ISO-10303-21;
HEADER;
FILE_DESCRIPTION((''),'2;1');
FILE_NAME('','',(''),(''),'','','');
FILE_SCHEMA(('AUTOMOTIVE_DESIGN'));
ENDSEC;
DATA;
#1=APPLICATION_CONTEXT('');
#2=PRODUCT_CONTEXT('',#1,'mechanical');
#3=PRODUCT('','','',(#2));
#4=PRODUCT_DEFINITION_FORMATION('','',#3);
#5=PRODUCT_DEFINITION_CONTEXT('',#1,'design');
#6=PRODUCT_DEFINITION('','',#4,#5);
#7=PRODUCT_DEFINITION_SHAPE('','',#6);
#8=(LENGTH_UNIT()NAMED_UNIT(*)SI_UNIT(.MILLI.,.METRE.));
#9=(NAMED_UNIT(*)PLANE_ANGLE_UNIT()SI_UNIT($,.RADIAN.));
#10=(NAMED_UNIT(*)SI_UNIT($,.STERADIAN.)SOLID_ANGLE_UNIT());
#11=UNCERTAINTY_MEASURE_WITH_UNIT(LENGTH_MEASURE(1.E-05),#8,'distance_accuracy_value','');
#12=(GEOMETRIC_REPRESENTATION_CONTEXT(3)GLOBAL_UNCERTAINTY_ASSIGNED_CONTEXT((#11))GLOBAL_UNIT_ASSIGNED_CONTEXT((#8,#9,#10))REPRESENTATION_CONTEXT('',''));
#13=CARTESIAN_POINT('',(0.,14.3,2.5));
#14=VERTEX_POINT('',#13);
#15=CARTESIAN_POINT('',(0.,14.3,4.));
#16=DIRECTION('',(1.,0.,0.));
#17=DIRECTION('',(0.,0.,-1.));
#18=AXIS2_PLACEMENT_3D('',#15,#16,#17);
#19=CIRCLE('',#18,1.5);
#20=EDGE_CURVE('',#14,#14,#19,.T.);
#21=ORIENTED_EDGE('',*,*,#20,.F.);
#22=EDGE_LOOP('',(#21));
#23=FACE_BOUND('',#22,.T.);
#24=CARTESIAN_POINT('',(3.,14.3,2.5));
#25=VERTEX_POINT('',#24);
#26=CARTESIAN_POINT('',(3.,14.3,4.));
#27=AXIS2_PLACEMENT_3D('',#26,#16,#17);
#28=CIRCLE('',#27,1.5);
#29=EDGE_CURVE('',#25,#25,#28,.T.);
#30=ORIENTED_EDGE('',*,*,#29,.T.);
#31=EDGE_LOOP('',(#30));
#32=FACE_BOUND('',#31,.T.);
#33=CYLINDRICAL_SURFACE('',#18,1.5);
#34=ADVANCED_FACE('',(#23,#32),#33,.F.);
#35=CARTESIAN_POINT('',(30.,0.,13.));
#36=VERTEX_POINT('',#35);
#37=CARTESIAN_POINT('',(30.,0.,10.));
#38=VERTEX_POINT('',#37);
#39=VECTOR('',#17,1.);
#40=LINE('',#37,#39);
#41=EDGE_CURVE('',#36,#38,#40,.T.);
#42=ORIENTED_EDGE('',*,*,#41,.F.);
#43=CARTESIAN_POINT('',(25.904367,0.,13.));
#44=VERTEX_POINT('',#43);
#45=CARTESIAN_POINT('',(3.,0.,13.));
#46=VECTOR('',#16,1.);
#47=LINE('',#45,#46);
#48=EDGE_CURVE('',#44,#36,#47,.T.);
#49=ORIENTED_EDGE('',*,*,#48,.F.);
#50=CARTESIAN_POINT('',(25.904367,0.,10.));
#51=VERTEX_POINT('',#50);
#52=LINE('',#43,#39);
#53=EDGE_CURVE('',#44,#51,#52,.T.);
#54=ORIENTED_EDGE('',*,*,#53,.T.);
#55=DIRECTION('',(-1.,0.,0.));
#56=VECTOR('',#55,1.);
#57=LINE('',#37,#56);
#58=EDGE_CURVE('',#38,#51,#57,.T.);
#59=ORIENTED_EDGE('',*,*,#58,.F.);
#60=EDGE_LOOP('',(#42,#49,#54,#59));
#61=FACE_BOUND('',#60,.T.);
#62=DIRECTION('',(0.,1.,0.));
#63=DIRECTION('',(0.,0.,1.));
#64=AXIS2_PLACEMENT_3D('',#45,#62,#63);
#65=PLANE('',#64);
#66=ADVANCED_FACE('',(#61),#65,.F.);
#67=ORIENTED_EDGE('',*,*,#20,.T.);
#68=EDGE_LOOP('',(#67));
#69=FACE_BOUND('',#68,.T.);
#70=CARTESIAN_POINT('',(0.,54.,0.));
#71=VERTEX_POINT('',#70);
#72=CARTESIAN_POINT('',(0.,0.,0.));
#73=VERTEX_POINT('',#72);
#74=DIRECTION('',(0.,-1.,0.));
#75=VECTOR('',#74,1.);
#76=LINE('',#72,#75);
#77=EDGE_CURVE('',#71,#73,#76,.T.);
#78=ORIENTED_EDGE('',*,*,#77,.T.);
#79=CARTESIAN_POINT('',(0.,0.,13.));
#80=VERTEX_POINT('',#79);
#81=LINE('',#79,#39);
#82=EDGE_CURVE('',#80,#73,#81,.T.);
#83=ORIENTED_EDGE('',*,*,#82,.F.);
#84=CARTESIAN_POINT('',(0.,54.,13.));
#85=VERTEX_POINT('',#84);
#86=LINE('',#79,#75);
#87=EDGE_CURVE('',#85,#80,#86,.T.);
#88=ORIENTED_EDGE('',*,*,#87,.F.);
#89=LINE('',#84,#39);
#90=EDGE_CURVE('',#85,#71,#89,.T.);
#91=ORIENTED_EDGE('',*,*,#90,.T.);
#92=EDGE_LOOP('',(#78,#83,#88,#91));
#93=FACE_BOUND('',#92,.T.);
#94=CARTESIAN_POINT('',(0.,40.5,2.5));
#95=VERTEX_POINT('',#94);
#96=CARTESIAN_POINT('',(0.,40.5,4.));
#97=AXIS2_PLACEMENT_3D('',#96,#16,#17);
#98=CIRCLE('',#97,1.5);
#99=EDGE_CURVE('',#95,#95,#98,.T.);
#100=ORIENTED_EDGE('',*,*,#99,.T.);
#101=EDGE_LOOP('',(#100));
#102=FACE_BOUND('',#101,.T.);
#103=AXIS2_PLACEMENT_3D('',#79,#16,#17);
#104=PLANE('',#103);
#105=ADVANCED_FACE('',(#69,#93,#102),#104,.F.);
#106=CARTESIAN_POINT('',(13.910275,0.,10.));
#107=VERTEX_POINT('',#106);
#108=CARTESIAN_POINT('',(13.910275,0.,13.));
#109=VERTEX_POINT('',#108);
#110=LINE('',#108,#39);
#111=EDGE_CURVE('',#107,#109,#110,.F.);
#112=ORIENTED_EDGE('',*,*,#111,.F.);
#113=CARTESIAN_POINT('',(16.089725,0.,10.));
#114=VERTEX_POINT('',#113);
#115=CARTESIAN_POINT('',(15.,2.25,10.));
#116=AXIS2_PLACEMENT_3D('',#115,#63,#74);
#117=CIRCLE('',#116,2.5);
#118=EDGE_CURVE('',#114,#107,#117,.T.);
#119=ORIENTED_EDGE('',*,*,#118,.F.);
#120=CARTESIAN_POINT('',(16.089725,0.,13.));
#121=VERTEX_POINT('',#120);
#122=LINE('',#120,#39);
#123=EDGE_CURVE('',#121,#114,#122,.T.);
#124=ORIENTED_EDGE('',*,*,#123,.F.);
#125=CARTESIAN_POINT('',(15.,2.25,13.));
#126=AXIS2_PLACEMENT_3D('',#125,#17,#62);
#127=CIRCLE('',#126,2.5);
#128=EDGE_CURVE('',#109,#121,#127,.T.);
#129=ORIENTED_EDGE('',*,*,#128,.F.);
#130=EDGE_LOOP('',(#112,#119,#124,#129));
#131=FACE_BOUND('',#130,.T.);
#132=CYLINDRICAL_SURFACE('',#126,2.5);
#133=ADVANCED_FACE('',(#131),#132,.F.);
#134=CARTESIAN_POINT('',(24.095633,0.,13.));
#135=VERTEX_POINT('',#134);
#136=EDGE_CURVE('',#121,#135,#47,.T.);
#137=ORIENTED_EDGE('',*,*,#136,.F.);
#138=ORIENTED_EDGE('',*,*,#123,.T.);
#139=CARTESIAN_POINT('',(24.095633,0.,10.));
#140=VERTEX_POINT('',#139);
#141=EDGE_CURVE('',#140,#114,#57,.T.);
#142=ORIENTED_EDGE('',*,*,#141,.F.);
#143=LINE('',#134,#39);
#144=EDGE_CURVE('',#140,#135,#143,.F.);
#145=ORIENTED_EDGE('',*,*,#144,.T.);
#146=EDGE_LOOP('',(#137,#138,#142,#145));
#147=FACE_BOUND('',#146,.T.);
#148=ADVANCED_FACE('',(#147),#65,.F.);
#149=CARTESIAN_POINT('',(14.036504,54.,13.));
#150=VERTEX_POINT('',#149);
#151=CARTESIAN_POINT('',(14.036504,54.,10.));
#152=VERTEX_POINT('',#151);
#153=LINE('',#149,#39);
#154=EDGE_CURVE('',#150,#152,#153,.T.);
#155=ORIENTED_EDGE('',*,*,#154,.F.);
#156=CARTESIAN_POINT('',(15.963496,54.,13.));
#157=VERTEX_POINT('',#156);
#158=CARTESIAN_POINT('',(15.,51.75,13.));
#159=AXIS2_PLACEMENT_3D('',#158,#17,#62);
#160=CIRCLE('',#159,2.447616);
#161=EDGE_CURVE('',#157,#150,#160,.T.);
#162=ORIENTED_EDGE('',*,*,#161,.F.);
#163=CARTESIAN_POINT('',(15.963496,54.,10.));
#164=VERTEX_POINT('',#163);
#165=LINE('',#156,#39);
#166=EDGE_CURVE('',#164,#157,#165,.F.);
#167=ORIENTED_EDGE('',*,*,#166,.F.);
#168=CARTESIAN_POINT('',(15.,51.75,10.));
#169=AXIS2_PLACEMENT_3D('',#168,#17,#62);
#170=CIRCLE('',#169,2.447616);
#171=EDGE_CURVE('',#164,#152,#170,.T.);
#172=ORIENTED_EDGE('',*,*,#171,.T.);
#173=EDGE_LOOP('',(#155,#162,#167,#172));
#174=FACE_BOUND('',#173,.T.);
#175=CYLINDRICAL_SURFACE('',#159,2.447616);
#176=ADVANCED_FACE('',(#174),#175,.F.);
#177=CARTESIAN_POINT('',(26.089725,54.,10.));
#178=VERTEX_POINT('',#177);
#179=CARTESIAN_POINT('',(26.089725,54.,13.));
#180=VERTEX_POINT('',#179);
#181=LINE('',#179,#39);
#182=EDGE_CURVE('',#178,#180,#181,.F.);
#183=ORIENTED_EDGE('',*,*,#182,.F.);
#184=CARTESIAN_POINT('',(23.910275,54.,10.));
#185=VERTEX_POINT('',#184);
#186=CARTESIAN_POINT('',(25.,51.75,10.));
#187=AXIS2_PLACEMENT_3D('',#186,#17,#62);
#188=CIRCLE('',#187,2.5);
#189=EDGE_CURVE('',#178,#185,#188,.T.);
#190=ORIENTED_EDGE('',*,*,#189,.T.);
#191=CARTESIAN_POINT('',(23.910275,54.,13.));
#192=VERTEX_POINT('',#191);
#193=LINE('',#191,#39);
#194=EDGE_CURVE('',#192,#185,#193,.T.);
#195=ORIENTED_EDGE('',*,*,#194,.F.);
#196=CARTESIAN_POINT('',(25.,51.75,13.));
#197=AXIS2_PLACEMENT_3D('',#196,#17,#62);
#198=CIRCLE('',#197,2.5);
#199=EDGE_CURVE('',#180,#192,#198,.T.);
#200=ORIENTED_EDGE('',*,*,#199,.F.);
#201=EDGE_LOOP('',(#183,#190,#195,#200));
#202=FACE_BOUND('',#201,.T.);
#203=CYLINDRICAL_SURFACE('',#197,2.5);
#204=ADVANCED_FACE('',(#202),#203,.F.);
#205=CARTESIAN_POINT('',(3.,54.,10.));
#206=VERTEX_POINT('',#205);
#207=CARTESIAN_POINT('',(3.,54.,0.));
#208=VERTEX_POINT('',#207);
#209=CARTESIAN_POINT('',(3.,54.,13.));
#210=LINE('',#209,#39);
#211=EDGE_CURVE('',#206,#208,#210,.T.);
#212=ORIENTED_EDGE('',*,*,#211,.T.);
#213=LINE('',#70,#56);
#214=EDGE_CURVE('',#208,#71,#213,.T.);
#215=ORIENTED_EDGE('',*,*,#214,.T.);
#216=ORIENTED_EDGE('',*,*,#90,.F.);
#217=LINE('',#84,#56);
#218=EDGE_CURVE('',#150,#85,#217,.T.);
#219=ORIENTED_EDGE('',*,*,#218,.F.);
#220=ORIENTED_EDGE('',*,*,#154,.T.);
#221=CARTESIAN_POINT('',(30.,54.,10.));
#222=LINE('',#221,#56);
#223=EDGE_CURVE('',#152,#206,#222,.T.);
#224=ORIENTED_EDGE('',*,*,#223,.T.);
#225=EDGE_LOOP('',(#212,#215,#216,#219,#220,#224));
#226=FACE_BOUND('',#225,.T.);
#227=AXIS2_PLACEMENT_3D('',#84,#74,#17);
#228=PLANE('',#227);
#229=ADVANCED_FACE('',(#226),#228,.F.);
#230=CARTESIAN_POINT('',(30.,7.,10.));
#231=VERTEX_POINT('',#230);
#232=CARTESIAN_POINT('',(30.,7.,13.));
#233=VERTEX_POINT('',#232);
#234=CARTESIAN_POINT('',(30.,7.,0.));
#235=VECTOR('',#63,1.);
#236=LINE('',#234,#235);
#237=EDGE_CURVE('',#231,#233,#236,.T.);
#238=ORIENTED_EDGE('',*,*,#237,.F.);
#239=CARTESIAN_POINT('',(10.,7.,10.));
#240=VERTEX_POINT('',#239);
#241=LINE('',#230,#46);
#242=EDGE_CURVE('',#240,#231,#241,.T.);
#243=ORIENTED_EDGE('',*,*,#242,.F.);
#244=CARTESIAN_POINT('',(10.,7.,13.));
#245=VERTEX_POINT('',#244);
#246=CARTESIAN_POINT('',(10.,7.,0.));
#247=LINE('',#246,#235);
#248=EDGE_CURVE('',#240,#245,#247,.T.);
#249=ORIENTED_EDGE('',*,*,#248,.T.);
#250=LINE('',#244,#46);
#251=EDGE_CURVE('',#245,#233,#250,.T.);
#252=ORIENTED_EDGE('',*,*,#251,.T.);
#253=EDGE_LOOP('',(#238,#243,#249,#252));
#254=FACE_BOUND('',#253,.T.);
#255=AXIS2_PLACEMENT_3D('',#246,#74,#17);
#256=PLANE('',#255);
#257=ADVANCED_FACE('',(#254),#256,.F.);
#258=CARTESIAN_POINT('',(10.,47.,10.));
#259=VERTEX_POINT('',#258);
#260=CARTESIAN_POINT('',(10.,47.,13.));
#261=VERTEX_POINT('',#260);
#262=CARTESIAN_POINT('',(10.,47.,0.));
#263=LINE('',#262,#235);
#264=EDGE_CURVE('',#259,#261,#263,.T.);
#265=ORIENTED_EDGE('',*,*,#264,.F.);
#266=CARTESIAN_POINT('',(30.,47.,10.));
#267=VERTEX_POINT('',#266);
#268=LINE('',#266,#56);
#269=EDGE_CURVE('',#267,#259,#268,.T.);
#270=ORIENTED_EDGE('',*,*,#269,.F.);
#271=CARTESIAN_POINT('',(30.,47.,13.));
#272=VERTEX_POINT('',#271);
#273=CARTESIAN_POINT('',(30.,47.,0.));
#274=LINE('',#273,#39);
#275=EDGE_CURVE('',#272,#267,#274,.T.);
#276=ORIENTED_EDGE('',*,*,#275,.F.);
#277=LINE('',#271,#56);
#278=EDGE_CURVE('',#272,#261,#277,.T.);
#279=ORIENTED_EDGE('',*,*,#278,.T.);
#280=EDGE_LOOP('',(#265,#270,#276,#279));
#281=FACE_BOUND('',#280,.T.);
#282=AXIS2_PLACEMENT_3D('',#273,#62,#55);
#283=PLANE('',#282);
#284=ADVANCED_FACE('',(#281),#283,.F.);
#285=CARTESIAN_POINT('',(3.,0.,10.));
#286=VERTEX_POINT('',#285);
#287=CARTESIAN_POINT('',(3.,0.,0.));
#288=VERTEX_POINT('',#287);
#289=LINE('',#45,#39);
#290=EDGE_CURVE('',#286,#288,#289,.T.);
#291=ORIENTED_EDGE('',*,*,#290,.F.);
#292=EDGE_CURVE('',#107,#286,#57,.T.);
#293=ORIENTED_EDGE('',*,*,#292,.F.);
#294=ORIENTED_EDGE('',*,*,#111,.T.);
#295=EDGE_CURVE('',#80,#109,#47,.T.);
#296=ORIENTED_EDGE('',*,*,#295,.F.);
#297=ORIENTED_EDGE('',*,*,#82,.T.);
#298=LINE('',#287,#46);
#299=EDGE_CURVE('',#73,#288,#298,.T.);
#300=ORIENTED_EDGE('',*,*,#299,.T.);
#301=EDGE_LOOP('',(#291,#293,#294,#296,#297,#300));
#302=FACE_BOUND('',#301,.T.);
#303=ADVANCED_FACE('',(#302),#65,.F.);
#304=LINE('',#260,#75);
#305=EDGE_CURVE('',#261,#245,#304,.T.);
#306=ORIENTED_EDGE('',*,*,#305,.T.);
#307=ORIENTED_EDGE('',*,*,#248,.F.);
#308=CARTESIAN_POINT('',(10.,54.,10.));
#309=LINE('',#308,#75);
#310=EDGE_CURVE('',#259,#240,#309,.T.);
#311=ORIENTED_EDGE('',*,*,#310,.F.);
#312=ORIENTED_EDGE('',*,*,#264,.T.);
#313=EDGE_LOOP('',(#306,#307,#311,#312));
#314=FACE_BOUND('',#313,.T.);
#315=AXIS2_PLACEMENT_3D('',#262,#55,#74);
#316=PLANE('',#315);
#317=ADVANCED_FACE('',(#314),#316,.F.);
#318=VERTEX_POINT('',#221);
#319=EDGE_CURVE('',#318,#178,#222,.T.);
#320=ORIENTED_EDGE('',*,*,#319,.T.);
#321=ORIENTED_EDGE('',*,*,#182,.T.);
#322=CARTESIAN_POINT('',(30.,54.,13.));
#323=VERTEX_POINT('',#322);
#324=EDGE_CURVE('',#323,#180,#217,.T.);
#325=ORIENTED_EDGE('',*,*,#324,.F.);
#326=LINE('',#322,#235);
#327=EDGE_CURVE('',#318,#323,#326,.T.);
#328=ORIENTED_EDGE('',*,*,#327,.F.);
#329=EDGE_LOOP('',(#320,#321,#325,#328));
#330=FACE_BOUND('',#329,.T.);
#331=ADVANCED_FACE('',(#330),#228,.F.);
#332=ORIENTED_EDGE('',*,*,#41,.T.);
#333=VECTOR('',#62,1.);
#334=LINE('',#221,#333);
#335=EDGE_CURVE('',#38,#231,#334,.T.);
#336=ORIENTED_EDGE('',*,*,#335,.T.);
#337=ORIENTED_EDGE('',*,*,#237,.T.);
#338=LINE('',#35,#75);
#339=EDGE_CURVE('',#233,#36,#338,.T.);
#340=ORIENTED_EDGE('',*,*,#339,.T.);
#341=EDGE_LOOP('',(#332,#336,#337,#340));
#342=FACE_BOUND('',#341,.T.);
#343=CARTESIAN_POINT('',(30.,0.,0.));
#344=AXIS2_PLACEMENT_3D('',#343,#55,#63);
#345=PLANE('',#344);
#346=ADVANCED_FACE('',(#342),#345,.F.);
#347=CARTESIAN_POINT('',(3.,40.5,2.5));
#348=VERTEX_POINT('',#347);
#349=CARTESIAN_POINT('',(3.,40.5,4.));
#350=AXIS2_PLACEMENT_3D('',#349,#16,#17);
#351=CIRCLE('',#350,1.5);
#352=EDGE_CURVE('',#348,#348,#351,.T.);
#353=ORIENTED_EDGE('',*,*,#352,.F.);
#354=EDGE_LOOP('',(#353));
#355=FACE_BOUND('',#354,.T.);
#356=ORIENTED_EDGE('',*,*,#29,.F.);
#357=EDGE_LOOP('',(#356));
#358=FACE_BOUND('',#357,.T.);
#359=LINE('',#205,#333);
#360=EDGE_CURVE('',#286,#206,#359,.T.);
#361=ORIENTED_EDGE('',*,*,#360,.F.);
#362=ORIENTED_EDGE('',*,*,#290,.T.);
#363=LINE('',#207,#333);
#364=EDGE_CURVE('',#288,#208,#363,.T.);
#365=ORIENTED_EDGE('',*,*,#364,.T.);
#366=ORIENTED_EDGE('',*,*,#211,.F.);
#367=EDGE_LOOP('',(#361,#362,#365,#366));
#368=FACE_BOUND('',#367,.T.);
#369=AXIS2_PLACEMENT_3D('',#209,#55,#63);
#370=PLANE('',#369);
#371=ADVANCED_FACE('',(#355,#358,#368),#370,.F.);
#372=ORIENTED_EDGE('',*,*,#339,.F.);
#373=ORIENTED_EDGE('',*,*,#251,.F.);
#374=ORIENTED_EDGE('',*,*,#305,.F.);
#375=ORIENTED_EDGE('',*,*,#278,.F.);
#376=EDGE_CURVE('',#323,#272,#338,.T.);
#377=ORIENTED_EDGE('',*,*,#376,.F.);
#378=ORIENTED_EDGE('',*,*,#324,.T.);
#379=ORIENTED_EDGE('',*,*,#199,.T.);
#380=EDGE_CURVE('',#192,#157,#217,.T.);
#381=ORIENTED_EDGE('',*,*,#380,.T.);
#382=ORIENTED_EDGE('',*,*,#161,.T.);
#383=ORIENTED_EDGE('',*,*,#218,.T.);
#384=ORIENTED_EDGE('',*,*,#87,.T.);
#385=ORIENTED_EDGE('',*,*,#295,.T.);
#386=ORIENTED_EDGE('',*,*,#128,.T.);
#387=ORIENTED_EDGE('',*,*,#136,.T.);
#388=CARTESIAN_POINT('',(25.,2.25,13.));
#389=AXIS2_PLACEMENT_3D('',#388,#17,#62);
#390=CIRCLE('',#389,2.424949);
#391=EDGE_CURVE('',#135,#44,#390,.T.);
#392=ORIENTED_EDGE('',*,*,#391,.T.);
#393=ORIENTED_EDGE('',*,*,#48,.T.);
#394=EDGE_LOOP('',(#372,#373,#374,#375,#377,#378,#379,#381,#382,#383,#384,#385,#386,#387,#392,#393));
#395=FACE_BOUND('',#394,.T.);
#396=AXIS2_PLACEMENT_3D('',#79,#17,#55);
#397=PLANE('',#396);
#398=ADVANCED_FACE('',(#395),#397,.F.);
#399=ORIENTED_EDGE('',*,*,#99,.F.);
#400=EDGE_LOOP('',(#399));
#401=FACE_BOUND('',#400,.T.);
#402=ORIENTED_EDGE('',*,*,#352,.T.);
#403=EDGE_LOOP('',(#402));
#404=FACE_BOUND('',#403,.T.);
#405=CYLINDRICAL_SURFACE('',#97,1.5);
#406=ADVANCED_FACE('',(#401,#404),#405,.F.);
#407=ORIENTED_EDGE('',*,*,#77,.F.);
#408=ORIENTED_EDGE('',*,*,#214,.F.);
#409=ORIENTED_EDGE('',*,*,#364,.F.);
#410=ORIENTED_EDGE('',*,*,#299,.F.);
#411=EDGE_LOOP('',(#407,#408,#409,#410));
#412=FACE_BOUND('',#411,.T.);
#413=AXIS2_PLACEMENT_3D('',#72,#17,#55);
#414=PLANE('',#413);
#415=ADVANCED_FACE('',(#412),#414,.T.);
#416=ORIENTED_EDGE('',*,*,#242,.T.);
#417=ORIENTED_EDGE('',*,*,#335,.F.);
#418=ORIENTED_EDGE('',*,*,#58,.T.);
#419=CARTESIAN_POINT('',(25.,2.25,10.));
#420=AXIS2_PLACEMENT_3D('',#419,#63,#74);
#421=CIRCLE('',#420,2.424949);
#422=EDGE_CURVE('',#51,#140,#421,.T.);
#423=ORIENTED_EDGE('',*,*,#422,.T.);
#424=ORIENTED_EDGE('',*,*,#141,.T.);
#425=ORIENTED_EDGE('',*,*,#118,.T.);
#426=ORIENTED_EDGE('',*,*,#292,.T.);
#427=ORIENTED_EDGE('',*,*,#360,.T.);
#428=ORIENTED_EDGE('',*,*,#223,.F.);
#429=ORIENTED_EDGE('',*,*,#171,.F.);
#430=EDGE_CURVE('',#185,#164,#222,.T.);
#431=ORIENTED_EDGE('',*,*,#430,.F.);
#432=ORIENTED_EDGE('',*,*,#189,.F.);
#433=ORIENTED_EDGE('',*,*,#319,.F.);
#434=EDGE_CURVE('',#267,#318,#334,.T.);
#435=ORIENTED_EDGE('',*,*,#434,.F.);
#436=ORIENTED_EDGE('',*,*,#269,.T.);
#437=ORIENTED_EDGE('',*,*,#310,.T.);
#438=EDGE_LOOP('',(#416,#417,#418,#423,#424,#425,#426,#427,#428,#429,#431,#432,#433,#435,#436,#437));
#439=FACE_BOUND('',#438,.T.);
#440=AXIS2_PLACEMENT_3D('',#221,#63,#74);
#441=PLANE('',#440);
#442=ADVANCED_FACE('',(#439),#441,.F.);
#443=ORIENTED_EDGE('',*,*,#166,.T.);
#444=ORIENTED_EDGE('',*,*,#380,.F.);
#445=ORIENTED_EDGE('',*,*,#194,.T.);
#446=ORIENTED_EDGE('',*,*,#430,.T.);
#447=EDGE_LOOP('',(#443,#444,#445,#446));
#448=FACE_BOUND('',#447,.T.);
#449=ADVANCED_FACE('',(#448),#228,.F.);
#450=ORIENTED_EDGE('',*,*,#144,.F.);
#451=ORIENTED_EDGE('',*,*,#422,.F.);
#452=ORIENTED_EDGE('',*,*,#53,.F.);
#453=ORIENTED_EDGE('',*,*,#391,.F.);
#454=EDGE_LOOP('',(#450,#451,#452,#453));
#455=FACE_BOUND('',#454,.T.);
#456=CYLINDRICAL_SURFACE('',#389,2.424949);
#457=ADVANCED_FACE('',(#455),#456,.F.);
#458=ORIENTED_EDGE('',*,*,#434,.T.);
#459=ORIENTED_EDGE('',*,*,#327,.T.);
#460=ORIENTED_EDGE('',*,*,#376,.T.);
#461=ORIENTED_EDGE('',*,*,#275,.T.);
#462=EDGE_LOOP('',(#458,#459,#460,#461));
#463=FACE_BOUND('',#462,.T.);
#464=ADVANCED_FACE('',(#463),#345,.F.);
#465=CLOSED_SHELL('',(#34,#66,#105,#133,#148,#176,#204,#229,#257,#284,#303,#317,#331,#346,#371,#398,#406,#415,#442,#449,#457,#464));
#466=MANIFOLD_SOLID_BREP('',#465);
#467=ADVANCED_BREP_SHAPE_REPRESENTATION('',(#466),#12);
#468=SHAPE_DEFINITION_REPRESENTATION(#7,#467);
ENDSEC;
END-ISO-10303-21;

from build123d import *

# Parameters (mm, degrees)
SKETCH_1_W          = 3
SKETCH_1_H          = 54
EXTRUDE_1_DEPTH     = 13
SKETCH_3_R          = 1.5
CUT_EXTRUDE_1_DEPTH = 56.623735941
SKETCH_4_W          = 3
SKETCH_4_H          = 54
EXTRUDE_2_DEPTH     = 27
SKETCH_5_W          = 20
SKETCH_5_H          = 40
CUT_EXTRUDE_2_DEPTH = 64.126856408
SKETCH_6_R          = 2.5
SKETCH_6_R_2        = 2.424949467
SKETCH_6_R_3        = 2.447616221
CUT_EXTRUDE_3_DEPTH = 63.577951389


with BuildPart() as part:
    # 草图1 → 凸台-拉伸1 (new body)
    with BuildSketch(Plane.XY):
        with Locations((1.5, 27)):
            Rectangle(SKETCH_1_W, SKETCH_1_H)
    extrude(amount=EXTRUDE_1_DEPTH)

    # 草图3 → 切除-拉伸1 (cut, through all)
    with BuildSketch(Plane(origin=(3, 0, 0), x_dir=(0, 0, -1), z_dir=(1, 0, 0))):
        with Locations((-4, 40.5)):
            Circle(SKETCH_3_R)
        with Locations((-4, 14.3)):
            Circle(SKETCH_3_R)
    extrude(amount=-CUT_EXTRUDE_1_DEPTH, mode=Mode.SUBTRACT)

    # 草图4 → 凸台-拉伸2 (add)
    with BuildSketch(Plane(origin=(3, 0, 0), x_dir=(0, 0, -1), z_dir=(1, 0, 0))):
        with Locations((-11.5, 27)):
            Rectangle(SKETCH_4_W, SKETCH_4_H)
    extrude(amount=EXTRUDE_2_DEPTH)

    # 草图5 → 切除-拉伸2 (cut, through all)
    with BuildSketch(Plane.XY.offset(13)):
        with Locations((20, 27)):
            Rectangle(SKETCH_5_W, SKETCH_5_H)
    extrude(amount=-CUT_EXTRUDE_2_DEPTH, mode=Mode.SUBTRACT)

    # 草图6 → 切除-拉伸3 (cut, through all)
    with BuildSketch(Plane(origin=(0, 0, 10), x_dir=(-1, 0, 0), z_dir=(0, 0, -1))):
        with Locations((-25, 51.75)):
            Circle(SKETCH_6_R)
        with Locations((-25, 2.25)):
            Circle(SKETCH_6_R_2)
        with Locations((-15, 51.75)):
            Circle(SKETCH_6_R_3)
        with Locations((-15, 2.25)):
            Circle(SKETCH_6_R)
    extrude(amount=-CUT_EXTRUDE_3_DEPTH, mode=Mode.SUBTRACT)


solid = part.part
